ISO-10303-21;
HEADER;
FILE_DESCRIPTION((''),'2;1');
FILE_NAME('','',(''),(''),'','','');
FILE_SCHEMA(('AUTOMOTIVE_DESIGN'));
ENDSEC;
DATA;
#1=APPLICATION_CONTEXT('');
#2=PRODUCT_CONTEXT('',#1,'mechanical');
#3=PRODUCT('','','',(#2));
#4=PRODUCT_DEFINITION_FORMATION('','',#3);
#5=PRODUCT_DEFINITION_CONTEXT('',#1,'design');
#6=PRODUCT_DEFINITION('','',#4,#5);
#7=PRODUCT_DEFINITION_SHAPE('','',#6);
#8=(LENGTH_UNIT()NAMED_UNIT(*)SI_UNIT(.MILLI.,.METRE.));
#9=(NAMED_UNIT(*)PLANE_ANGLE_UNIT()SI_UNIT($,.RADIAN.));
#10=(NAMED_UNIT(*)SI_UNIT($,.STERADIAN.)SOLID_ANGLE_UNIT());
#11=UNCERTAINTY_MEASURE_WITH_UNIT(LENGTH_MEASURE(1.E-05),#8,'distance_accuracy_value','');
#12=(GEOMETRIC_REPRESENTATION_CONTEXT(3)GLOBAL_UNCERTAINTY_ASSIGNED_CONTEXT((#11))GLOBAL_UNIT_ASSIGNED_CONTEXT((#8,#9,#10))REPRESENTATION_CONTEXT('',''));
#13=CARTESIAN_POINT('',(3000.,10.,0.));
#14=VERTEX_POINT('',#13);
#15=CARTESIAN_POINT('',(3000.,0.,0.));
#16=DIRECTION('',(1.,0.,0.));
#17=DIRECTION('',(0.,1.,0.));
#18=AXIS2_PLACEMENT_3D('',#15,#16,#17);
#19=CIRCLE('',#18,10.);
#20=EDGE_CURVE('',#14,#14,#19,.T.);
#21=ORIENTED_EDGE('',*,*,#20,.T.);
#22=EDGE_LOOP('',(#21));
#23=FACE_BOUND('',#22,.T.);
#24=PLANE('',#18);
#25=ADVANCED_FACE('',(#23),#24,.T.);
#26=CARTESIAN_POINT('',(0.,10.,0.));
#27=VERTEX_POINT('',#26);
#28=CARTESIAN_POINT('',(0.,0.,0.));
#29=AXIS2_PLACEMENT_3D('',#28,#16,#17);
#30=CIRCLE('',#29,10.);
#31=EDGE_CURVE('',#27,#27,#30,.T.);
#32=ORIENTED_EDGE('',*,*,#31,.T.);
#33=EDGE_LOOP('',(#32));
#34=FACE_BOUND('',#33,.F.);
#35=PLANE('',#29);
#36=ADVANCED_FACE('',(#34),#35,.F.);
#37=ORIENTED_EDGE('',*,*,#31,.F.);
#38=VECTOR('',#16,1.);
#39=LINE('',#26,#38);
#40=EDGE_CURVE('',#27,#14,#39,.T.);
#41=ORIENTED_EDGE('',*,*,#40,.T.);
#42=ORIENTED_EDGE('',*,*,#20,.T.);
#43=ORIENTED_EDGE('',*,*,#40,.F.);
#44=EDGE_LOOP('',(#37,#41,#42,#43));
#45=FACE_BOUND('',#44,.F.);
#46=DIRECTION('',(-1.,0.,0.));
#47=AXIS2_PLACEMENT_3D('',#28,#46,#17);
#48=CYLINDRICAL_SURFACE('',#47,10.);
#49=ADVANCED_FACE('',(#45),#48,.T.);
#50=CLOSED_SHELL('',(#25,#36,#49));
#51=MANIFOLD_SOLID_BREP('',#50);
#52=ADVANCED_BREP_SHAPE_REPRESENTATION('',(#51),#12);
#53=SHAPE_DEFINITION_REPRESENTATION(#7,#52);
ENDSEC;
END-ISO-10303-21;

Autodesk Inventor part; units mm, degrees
ref_plane "YZ Plane" through (0, 0, 0) normal (1, 0, 0) x (0, 1, 0)
ref_plane "XZ Plane" through (0, 0, 0) normal (0, 1, 0) x (-1, 0, 0)
ref_plane "XY Plane" through (0, 0, 0) normal (0, 0, 1) x (1, 0, 0)
sketch "Sketch1" plane through (0, 0, 0) normal (1, 0, 0) x (0, 1, 0)
  circle A0 centre (0, 0) radius 10
  dimension "d0" = 20
extrude "Extrusion1" add sketch "Sketch1" along normal blind 3000
properties part number "ropeeeeeexxx"
